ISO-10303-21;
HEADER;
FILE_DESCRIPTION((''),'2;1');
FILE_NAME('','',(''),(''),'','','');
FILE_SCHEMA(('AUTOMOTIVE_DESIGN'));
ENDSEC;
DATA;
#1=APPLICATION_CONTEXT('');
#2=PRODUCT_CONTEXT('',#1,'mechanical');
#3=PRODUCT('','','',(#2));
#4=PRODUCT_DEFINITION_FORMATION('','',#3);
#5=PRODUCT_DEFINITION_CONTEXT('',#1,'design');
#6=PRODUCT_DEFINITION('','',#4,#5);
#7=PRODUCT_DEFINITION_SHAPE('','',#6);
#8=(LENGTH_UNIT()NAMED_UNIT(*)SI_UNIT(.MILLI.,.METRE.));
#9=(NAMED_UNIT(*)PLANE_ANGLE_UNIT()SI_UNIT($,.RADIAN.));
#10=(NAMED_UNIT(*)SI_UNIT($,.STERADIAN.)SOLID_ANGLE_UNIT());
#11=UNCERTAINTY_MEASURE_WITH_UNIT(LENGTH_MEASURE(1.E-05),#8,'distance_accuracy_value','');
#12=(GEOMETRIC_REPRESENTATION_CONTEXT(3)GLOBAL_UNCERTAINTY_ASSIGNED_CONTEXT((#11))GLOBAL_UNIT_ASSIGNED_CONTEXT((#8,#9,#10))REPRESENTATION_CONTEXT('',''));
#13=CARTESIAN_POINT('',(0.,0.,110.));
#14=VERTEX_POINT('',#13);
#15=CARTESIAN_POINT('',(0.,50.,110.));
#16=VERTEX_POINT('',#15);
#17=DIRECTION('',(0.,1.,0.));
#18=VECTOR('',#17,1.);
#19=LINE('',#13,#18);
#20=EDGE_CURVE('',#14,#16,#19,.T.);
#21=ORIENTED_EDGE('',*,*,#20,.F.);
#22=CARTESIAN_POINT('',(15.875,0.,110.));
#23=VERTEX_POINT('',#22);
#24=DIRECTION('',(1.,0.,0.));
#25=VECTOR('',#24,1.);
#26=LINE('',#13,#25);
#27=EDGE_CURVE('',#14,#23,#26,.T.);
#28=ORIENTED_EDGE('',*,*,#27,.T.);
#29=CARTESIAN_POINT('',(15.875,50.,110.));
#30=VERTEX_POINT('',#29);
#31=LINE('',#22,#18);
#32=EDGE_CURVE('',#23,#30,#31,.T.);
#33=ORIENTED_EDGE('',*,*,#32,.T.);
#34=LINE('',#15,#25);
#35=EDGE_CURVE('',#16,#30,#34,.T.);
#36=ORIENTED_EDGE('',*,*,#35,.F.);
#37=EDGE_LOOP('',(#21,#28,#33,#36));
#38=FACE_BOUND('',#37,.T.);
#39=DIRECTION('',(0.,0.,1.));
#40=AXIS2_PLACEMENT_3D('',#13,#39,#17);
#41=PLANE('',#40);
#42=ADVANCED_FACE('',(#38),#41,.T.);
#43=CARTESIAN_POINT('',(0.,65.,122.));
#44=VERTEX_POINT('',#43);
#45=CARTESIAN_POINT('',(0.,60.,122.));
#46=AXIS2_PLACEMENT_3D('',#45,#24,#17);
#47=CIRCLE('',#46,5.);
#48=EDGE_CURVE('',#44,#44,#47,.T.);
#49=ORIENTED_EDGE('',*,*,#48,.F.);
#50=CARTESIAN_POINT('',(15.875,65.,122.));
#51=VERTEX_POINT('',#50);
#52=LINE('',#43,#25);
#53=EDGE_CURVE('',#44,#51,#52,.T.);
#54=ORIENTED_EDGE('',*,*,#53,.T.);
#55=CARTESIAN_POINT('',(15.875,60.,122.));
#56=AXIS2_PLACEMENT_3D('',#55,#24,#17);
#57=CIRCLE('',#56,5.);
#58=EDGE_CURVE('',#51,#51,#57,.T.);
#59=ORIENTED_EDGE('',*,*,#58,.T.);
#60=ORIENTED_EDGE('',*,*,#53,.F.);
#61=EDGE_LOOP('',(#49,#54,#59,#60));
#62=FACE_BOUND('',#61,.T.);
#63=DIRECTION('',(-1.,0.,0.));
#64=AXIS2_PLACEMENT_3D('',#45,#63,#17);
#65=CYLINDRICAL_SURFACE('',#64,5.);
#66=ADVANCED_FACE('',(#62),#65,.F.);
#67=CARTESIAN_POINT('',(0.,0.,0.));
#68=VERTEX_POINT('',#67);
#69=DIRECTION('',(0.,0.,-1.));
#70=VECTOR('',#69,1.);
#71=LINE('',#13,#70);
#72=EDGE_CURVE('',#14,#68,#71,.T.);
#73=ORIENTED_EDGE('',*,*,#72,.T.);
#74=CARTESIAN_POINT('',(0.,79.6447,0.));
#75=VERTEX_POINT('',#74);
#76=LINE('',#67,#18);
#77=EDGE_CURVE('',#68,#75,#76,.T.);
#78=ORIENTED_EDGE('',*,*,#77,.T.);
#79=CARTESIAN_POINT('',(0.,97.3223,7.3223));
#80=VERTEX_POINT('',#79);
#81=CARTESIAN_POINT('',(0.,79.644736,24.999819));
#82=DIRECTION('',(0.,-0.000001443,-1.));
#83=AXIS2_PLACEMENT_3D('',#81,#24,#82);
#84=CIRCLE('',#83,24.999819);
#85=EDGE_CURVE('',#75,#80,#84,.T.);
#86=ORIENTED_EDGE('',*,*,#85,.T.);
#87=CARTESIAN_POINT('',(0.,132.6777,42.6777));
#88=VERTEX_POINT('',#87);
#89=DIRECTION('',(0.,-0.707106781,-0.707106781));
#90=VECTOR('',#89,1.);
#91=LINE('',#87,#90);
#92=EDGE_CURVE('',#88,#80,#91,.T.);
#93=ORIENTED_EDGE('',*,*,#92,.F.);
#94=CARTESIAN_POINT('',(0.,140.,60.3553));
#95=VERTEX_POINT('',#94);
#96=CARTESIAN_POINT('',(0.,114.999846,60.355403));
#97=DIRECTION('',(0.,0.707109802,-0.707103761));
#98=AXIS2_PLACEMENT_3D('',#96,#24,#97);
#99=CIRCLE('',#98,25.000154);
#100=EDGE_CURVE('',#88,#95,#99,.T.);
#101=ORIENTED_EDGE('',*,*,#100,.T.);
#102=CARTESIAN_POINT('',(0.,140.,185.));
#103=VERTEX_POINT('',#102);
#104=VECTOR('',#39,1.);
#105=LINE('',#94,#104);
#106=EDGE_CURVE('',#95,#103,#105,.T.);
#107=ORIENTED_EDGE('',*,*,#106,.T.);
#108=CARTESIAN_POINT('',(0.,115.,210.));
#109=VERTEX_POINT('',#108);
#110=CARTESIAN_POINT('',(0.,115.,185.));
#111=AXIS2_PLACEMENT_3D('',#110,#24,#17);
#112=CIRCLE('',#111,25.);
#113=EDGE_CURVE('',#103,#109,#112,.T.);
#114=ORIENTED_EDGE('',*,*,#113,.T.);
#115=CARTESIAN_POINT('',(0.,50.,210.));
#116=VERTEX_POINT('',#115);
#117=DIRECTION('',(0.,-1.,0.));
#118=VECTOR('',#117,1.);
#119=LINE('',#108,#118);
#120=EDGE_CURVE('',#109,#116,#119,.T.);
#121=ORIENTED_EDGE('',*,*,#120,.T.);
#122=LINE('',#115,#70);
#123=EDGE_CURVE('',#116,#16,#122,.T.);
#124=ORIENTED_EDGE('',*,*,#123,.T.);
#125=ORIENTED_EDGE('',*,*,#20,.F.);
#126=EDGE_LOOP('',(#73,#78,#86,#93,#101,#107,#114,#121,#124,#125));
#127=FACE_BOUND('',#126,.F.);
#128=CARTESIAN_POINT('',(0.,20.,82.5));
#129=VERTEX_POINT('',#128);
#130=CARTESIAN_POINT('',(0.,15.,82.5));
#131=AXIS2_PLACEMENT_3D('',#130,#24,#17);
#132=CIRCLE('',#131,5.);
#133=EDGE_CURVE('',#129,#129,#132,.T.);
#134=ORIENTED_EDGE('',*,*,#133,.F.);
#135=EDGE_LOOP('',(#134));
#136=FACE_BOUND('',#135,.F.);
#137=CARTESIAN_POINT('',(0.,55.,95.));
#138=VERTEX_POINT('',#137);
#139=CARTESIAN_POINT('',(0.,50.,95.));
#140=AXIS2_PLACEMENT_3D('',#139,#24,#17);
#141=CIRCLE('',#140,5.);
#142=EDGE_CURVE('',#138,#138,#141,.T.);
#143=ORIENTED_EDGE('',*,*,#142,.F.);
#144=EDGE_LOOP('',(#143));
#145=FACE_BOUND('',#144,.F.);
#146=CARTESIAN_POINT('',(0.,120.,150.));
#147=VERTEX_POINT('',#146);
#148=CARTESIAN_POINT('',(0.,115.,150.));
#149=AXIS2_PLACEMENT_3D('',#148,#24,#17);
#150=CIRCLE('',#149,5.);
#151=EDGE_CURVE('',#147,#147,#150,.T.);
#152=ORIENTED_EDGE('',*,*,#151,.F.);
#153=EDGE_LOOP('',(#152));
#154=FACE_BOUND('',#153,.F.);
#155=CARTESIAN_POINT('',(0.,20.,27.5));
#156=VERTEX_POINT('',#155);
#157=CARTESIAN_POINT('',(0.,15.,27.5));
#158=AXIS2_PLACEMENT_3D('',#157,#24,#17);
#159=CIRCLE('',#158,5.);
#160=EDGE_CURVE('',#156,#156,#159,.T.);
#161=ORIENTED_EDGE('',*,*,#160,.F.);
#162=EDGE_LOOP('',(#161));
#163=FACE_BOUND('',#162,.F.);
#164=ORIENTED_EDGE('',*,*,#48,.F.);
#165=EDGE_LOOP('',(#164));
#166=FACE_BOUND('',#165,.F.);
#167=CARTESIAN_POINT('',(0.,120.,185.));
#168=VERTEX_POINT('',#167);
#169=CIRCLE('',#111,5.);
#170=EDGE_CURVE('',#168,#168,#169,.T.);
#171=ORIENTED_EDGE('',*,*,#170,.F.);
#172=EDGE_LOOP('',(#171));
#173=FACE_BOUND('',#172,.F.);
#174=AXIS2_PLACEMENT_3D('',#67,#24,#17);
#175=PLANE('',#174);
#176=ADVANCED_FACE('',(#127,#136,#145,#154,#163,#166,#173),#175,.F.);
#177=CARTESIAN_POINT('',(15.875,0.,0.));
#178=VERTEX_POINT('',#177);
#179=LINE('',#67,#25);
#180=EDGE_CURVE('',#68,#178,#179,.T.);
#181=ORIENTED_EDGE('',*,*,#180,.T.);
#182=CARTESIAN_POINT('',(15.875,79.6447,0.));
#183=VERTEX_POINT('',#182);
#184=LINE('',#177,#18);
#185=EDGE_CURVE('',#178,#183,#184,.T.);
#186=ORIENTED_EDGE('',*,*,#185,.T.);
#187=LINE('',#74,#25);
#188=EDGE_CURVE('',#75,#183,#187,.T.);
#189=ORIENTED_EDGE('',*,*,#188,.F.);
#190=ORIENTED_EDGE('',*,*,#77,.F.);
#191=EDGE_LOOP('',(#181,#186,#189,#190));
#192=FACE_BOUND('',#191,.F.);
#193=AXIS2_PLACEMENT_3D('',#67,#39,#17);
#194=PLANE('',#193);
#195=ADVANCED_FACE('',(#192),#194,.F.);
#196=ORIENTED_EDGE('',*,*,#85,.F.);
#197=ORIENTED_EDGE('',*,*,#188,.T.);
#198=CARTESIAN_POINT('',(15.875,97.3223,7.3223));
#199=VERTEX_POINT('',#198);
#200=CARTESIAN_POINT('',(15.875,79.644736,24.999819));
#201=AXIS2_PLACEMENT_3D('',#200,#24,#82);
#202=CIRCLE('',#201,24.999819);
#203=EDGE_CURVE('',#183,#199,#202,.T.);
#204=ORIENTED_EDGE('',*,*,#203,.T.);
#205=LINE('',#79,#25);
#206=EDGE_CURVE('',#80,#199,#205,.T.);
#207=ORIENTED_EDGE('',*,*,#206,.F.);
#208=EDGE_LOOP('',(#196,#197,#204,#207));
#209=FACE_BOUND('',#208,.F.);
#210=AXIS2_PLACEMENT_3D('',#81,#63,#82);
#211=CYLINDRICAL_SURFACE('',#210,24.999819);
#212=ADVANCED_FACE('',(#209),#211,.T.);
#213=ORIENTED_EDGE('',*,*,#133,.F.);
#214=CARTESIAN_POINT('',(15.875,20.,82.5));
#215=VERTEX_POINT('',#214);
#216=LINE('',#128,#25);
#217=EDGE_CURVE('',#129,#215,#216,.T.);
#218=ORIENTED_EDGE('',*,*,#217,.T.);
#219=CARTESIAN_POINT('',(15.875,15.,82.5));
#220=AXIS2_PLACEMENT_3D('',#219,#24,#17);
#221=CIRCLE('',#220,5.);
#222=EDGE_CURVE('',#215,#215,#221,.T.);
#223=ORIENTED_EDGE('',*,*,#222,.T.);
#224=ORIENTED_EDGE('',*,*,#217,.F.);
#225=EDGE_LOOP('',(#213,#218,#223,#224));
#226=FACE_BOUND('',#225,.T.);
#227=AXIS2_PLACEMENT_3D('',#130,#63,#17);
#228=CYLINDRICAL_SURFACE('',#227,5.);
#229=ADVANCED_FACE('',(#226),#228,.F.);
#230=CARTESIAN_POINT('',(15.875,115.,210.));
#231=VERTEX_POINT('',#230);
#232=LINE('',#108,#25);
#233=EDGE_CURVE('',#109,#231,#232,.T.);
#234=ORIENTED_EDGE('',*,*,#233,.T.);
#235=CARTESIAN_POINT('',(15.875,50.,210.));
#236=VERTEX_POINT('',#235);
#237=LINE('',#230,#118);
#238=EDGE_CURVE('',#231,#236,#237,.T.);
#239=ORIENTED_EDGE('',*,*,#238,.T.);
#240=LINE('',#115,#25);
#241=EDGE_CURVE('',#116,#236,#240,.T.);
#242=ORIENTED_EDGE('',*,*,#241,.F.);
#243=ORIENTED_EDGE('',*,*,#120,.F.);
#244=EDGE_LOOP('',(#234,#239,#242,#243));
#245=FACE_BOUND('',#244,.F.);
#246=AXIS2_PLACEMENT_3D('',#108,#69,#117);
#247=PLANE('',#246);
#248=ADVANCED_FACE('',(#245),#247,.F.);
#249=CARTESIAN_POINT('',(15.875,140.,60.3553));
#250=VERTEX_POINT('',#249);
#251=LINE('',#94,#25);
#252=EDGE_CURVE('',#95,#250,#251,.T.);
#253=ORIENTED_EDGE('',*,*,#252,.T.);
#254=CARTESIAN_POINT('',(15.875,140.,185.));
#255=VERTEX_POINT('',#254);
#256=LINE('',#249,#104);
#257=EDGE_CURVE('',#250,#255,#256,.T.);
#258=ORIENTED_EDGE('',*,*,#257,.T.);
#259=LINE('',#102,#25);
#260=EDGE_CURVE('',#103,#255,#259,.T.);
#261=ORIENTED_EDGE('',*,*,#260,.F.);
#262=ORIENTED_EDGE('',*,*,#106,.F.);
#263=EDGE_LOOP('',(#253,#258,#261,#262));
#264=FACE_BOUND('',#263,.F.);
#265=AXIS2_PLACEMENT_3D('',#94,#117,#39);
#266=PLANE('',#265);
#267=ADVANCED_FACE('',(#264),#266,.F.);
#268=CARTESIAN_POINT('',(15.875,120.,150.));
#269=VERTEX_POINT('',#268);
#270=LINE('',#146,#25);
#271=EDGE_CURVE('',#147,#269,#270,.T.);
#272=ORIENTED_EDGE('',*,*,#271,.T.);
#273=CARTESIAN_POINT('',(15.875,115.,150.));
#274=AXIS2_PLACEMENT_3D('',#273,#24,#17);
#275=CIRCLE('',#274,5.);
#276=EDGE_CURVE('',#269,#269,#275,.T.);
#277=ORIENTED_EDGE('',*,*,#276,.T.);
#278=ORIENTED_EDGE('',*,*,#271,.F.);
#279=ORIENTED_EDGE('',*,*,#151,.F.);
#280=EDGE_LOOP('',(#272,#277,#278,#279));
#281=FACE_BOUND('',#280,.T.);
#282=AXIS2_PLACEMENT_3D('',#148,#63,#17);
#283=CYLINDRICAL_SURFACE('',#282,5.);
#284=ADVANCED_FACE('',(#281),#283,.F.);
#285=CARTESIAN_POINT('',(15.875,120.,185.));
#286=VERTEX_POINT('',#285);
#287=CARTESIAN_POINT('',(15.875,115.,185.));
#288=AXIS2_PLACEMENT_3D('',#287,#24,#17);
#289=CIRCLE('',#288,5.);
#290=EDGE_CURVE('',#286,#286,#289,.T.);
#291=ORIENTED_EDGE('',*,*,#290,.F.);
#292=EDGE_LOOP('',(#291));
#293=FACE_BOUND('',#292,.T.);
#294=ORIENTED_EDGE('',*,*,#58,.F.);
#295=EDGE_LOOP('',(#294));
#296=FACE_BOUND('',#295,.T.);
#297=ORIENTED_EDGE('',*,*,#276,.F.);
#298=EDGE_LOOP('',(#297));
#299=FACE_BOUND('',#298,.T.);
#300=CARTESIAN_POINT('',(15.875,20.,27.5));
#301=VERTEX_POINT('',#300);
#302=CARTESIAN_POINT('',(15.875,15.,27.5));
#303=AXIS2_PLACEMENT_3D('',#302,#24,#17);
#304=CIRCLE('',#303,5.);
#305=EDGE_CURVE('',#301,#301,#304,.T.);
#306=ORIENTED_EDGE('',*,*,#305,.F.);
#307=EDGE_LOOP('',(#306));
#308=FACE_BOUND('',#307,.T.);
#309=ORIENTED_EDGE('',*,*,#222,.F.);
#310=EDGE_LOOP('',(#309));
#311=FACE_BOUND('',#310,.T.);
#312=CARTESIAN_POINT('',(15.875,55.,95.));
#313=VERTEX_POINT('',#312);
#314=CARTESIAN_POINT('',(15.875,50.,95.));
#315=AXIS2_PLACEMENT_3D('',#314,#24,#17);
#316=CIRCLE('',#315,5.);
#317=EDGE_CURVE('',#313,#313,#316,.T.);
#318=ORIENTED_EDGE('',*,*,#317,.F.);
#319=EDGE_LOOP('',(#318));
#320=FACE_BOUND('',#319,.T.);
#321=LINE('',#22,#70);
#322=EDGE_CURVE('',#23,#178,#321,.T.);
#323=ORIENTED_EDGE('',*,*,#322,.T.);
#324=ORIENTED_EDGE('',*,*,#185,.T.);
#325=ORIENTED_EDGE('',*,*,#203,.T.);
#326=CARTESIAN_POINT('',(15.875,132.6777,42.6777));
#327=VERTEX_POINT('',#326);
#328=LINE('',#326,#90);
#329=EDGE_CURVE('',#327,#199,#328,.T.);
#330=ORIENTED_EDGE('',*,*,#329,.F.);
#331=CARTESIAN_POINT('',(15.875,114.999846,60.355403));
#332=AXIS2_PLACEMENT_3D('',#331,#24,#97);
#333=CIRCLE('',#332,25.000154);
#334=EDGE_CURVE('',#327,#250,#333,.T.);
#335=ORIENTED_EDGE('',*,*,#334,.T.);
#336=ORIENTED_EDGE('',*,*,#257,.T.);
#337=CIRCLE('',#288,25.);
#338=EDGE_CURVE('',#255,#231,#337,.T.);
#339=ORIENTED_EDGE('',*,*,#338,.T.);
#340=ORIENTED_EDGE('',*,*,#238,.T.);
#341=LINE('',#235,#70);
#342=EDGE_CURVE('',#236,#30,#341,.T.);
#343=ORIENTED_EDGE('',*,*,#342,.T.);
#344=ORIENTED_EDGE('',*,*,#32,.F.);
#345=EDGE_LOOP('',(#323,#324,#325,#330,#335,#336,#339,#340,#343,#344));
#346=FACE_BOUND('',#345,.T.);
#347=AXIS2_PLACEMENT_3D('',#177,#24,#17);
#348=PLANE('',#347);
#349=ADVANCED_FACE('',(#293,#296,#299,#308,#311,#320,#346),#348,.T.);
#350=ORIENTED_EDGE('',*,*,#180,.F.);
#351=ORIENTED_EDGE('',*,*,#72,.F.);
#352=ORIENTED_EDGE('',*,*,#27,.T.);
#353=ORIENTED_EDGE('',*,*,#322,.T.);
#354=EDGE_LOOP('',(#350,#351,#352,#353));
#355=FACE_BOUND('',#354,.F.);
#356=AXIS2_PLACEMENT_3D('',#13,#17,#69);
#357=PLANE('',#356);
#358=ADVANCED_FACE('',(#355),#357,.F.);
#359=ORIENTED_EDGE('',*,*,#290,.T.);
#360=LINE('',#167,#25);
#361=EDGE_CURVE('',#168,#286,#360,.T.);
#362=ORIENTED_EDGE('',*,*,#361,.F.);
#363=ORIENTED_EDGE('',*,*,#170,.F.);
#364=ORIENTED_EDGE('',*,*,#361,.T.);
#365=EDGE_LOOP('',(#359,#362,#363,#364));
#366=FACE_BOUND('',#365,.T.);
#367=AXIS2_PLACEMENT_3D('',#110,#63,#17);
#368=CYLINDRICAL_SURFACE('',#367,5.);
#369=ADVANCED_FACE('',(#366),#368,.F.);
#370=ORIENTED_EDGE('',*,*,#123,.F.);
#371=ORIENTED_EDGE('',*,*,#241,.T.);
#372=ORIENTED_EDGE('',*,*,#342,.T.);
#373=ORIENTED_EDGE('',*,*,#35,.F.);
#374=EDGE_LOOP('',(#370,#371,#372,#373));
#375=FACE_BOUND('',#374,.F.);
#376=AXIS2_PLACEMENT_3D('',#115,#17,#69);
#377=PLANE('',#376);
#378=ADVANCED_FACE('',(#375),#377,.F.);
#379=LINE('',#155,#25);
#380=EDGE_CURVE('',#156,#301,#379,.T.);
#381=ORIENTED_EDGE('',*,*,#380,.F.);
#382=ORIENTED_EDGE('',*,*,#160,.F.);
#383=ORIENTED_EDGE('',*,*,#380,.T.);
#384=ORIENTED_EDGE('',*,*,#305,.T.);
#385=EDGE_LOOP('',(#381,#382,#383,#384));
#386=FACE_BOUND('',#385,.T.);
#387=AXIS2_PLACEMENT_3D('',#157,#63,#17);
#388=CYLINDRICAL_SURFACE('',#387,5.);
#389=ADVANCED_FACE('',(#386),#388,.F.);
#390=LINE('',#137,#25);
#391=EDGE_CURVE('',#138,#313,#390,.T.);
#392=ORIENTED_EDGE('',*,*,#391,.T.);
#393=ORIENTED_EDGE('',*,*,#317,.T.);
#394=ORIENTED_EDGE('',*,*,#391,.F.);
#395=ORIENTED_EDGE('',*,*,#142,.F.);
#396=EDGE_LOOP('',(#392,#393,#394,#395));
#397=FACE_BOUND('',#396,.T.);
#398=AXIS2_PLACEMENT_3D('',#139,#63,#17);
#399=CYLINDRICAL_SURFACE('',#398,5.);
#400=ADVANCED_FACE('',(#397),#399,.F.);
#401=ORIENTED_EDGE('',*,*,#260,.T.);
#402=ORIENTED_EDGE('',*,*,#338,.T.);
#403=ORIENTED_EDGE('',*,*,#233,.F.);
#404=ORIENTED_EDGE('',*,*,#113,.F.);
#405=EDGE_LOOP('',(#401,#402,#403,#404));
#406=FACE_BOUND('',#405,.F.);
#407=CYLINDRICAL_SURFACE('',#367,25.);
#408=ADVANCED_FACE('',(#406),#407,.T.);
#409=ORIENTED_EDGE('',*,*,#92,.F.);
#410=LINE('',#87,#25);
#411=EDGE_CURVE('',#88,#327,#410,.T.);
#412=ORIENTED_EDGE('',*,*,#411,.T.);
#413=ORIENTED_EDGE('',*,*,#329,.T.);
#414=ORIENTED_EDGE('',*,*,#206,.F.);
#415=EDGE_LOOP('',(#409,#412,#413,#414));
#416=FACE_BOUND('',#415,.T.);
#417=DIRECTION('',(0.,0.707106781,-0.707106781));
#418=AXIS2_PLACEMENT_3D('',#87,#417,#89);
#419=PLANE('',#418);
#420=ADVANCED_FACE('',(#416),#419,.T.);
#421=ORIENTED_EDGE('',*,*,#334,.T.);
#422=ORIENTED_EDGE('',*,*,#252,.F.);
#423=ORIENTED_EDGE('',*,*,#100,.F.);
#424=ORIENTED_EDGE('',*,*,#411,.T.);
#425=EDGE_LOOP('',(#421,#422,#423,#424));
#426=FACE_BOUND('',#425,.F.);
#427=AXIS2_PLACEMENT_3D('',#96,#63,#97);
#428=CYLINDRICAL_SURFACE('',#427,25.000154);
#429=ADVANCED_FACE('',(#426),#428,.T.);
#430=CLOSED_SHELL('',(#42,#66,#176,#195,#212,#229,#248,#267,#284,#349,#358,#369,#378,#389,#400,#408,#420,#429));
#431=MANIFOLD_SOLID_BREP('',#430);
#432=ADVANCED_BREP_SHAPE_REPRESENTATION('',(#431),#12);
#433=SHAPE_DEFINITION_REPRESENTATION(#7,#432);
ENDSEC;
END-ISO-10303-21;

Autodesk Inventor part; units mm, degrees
ref_plane "YZ Plane" through (0, 0, 0) normal (1, 0, 0) x (0, 1, 0)
ref_plane "XZ Plane" through (0, 0, 0) normal (0, 1, 0) x (-1, 0, 0)
ref_plane "XY Plane" through (0, 0, 0) normal (0, 0, 1) x (1, 0, 0)
sketch "Sketch1" plane through (0, 0, 0) normal (1, 0, 0) x (0, 1, 0)
  line L0 (0, 0) -> (79.6447, 0)
  line L1 (140, 60.3553) -> (140, 185)
  line L2 (115, 210) -> (50, 210)
  line L3 (0, 110) -> (0, 0)
  arc A0 (140, 185) -> (115, 210) centre (115, 185) ccw
  line L4 (50, 210) -> (50, 110)
  line L5 (0, 110) -> (50, 110)
  circle A1 centre (115, 185) radius 5
  circle A2 centre (115, 150) radius 5
  circle A3 centre (60, 122) radius 5
  circle A4 centre (50, 95) radius 5
  line L6 (132.6777, 42.6777) -> (97.3223, 7.3223)
  arc A5 (132.6777, 42.6777) -> (140, 60.3553) centre (115, 60.3553) ccw
  arc A6 (79.6447, 0) -> (97.3223, 7.3223) centre (79.6447, 25) ccw
  circle A7 centre (15, 82.5) radius 5
  circle A8 centre (15, 27.5) radius 5
  point P0 (140, 210)
  point P1 (90, 0)
  dimension "d2" = 25
  dimension "d3" = 90
  dimension "d4" = 110
  dimension "d5" = 140
  dimension "d6" = 10
  dimension "d7" = 88
  dimension "d8" = 10
  dimension "d9" = 15
  dimension "d10" = 25
  dimension "d11" = 35
  dimension "d12" = 25
  dimension "d13" = 50
  dimension "d14" = 45
  dimension "d15" = 210
  dimension "d16" = 25
  dimension "d17" = 25
  dimension "d20" = 55
  dimension "d21" = 27.5
  dimension "d22" = 35
  dimension "d23" = 10
extrude "Extrusion1" add sketch "Sketch1" along normal blind 15.875
properties part number "bodytoppart" material "Steel, Mild"
